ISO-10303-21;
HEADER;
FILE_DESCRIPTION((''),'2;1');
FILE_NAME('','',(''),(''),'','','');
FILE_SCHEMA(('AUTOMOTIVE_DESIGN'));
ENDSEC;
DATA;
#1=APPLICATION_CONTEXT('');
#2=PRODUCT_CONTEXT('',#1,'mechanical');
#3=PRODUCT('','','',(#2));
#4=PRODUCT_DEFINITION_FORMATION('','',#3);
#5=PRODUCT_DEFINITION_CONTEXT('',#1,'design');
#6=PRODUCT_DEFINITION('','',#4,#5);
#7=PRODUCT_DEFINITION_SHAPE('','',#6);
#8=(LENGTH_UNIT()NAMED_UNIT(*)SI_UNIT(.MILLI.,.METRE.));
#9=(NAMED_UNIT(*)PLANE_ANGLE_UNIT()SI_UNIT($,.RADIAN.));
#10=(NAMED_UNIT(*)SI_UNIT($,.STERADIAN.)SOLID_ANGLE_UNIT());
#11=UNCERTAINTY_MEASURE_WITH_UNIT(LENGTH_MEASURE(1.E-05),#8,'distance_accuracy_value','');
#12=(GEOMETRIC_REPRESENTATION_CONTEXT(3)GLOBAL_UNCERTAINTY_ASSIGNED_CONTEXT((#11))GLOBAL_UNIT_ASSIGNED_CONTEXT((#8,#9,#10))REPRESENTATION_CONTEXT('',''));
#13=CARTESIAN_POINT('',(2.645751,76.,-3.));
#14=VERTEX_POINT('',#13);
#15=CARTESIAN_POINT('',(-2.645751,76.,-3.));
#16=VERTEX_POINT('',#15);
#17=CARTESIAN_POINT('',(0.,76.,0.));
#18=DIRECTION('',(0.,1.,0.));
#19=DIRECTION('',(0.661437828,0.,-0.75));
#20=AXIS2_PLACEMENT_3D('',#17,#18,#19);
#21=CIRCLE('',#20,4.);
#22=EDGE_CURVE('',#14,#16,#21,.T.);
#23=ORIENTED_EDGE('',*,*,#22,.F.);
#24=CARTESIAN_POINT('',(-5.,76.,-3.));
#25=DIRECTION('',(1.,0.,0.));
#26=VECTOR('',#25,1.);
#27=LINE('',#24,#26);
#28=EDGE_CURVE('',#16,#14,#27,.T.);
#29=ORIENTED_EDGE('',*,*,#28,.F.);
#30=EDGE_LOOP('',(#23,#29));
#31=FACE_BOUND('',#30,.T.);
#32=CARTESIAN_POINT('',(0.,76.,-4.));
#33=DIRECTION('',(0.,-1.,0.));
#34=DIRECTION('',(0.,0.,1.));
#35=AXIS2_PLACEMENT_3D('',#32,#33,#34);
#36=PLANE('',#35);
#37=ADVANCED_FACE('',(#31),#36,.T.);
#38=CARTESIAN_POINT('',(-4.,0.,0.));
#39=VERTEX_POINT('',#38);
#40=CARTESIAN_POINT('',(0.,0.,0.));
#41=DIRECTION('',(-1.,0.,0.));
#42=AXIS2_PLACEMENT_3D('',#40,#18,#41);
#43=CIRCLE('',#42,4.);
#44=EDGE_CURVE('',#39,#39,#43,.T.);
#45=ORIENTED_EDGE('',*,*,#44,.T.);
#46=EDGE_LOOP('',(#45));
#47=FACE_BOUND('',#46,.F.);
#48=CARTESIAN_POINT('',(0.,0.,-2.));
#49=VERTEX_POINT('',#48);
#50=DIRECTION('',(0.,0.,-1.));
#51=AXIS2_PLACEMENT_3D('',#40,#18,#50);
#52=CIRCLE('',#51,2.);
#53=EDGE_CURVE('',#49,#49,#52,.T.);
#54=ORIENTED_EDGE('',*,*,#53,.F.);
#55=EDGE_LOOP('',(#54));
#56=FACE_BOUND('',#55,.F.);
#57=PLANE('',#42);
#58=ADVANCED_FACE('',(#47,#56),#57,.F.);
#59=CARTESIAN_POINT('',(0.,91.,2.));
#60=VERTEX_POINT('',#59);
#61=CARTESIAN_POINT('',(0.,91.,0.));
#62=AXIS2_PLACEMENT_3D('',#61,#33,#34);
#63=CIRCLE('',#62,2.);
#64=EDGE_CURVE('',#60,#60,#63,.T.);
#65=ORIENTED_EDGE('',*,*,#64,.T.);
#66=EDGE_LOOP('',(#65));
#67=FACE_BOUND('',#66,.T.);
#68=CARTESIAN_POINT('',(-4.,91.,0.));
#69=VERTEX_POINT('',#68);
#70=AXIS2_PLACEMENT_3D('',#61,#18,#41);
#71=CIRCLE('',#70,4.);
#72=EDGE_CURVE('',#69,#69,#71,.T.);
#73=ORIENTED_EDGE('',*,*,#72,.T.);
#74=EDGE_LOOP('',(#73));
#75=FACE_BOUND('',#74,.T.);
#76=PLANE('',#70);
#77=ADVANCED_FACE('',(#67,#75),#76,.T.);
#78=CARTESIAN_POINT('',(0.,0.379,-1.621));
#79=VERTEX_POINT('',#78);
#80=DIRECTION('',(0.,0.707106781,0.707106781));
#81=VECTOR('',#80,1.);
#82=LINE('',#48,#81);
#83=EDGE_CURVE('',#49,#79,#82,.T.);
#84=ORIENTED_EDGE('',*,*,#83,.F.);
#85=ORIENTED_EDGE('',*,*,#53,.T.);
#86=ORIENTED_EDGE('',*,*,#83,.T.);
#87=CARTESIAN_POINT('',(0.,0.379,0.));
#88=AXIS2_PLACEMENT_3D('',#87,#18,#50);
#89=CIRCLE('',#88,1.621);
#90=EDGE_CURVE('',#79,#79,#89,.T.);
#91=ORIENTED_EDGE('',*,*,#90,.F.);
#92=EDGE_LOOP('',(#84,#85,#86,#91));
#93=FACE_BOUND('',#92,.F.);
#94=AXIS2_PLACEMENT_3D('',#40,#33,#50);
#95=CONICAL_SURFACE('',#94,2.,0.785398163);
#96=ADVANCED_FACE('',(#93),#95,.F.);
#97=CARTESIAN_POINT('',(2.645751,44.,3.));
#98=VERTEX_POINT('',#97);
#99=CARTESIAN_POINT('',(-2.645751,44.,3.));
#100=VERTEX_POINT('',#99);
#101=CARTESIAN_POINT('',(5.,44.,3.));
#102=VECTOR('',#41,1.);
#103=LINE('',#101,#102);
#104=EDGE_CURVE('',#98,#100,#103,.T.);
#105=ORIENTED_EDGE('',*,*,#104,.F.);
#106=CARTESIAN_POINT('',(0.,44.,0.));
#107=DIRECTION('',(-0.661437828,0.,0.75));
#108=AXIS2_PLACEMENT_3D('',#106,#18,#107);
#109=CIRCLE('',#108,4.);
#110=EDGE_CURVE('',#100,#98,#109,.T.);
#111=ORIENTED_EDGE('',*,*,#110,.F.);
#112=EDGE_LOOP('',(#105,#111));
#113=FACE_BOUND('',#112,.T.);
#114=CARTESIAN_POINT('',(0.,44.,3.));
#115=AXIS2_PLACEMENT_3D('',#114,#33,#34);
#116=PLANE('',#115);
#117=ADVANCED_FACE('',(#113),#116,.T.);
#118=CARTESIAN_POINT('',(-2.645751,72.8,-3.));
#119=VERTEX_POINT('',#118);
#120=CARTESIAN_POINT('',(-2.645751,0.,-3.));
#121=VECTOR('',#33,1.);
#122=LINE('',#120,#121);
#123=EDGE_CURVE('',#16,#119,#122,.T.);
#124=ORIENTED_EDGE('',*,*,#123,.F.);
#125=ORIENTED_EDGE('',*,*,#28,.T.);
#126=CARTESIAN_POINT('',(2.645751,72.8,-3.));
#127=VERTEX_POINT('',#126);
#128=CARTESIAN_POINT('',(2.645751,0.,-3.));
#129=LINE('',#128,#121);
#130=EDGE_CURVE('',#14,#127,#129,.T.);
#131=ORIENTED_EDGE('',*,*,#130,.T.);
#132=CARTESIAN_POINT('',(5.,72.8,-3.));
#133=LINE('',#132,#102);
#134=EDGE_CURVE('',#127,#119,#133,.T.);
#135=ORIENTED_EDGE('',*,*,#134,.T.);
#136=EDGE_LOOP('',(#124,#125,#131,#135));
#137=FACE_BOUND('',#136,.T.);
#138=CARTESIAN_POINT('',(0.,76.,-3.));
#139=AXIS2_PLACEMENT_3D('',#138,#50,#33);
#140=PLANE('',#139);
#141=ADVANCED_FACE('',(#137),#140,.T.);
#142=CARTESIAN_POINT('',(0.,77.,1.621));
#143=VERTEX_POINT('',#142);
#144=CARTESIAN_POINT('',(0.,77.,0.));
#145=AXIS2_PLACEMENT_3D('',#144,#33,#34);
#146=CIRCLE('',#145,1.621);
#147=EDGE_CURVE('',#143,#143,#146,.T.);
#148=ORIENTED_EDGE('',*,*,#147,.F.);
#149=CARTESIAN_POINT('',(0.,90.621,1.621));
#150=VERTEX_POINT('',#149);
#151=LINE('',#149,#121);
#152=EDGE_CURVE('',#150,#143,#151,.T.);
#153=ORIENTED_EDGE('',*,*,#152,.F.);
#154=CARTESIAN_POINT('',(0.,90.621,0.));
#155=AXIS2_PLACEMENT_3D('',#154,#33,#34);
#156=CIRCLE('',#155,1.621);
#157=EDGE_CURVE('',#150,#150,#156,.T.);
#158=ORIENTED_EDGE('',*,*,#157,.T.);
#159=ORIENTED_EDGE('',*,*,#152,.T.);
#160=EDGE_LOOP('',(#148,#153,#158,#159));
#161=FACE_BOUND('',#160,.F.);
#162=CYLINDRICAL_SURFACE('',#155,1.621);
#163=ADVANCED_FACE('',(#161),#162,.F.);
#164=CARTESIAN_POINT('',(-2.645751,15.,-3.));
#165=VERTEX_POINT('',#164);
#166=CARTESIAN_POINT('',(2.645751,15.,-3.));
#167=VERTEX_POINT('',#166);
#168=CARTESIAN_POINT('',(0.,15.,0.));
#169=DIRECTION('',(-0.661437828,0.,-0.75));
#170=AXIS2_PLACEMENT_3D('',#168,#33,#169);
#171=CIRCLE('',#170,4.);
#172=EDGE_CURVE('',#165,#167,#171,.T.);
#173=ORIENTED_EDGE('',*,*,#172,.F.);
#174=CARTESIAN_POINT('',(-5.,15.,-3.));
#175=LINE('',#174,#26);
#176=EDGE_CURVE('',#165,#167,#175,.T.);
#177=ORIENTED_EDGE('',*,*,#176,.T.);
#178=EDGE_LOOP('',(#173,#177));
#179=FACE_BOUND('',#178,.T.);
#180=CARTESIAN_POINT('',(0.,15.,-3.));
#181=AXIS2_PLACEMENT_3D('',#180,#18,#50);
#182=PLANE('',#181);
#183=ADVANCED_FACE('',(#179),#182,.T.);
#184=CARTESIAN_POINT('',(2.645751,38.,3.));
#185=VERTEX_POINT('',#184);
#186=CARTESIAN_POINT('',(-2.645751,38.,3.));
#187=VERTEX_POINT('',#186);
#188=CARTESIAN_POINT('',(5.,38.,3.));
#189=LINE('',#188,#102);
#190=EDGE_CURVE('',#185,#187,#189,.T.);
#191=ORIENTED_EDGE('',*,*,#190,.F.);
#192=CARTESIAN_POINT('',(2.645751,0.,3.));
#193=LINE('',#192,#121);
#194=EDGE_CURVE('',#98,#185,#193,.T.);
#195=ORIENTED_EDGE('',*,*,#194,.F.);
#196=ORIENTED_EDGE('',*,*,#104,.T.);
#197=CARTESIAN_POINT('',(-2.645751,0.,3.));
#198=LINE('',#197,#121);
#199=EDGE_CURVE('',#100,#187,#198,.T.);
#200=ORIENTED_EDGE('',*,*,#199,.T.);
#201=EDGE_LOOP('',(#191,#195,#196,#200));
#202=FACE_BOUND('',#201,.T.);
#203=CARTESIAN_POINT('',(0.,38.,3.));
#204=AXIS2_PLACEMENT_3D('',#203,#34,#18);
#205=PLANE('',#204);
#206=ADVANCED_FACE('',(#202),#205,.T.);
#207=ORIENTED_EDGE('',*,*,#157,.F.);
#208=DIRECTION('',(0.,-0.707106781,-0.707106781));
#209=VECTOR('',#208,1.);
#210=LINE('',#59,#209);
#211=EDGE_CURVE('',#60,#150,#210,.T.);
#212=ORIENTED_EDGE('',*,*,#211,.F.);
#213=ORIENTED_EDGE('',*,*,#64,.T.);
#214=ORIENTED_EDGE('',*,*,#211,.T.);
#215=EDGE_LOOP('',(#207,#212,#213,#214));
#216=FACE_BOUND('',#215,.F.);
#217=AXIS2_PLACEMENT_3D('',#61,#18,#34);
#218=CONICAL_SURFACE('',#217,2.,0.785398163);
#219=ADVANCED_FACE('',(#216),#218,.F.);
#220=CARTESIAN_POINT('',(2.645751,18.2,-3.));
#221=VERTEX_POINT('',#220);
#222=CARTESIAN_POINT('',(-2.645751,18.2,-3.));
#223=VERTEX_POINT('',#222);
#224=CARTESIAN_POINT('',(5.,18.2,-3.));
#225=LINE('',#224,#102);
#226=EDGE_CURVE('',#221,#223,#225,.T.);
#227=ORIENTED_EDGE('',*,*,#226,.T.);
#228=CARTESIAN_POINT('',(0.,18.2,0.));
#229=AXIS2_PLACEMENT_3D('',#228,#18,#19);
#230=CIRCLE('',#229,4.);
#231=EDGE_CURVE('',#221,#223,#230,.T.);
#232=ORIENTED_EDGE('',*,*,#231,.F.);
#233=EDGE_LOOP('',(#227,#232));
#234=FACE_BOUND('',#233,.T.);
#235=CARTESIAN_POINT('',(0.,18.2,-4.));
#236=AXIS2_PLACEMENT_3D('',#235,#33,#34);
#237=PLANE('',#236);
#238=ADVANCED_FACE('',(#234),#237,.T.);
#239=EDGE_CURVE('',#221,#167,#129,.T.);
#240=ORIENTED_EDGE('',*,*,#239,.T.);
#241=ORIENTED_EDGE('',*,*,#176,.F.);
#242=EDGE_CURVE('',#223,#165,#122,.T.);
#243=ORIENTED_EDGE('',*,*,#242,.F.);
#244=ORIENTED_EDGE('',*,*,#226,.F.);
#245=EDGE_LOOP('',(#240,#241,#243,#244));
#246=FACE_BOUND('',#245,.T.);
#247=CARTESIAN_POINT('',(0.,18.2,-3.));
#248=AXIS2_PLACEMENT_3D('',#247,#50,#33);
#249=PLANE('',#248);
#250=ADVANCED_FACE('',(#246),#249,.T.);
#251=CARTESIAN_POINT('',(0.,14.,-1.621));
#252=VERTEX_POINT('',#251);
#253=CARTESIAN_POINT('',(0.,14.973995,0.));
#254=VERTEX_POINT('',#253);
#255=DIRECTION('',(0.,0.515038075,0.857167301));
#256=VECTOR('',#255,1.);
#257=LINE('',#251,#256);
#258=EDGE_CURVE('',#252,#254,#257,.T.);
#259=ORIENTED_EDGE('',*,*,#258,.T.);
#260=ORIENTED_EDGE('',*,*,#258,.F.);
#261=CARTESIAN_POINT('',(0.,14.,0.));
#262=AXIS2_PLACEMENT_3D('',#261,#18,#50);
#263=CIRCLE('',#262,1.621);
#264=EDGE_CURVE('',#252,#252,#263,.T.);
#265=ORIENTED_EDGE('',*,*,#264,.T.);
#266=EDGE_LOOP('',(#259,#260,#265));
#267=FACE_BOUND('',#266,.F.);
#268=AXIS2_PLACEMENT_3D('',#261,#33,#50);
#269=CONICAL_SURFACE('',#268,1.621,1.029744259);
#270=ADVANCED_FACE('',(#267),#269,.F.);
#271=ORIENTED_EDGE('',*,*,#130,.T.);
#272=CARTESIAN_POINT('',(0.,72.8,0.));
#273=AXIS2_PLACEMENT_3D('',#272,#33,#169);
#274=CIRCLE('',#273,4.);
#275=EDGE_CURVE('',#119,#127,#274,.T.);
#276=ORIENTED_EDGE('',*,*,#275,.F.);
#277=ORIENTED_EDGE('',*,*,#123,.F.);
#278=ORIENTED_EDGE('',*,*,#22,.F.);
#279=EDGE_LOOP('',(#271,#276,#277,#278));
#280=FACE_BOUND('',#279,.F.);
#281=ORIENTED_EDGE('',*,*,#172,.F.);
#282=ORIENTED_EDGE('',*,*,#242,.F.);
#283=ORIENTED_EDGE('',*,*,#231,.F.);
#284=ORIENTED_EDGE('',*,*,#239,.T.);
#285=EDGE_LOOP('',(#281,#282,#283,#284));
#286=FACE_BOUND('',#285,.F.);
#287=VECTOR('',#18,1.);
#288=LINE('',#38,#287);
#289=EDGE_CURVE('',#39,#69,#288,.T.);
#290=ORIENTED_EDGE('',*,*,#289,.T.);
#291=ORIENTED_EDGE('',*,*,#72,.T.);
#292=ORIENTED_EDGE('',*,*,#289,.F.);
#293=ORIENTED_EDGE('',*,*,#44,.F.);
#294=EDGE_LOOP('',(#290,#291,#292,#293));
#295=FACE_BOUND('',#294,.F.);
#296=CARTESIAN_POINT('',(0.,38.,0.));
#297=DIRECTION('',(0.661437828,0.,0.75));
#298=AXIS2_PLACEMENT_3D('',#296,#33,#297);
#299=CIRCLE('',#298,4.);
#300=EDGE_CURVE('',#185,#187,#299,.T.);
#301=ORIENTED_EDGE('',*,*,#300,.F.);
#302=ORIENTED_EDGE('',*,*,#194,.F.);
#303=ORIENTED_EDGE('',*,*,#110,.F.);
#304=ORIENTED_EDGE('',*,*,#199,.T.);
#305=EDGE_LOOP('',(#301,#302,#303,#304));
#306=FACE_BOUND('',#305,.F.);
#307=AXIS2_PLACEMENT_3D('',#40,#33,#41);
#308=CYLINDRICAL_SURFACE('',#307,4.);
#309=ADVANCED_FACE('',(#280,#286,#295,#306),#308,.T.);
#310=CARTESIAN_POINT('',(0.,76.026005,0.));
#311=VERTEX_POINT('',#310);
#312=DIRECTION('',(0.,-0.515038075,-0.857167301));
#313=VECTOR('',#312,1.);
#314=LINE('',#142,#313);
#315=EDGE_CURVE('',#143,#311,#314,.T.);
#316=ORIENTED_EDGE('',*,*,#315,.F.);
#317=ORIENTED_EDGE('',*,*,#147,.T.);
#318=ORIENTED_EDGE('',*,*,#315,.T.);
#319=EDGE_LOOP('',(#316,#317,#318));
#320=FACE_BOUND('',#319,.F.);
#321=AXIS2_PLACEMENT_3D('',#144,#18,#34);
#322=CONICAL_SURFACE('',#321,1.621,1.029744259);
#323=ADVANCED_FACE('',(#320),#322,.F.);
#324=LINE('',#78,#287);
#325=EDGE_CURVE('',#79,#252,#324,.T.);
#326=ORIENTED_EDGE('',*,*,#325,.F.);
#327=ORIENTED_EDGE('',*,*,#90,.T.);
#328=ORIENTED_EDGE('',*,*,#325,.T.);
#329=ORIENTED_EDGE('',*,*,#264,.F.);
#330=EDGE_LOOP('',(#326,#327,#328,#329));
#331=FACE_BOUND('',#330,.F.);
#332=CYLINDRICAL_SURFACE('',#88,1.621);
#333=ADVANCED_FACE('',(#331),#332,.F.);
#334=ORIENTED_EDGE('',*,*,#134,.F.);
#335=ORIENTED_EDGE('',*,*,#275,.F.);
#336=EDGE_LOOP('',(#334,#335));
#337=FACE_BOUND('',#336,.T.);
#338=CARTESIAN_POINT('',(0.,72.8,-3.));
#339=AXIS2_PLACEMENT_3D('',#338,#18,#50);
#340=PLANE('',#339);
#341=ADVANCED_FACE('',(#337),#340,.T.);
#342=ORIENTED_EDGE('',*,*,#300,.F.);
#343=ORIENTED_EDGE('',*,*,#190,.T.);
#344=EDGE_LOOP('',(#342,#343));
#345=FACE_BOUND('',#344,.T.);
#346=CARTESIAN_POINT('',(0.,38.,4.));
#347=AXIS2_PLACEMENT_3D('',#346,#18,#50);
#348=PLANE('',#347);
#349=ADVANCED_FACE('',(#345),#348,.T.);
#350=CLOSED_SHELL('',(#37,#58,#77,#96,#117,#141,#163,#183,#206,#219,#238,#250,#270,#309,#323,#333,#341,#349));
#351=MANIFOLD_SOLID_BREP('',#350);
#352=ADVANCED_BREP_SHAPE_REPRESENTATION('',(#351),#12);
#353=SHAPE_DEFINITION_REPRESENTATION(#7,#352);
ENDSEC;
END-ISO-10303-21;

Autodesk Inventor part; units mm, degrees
ref_plane "YZ Plane" through (0, 0, 0) normal (1, 0, 0) x (0, 1, 0)
ref_plane "XZ Plane" through (0, 0, 0) normal (0, 1, 0) x (-1, 0, 0)
ref_plane "XY Plane" through (0, 0, 0) normal (0, 0, 1) x (1, 0, 0)
sketch "スケッチ1" plane through (0, 0, 0) normal (0, 1, 0) x (-1, 0, 0)
  circle A0 centre (0, 0) radius 4
  dimension "d0" = 8
extrude "押し出し1" add sketch "スケッチ1" along normal blind 91
sketch "スケッチ2" plane through (0, 0, 0) normal (0, -1, 0) x (1, 0, 0)
  point P0 (0, 0)
sketch "スケッチ3" plane through (0, 91, 0) normal (0, 1, 0) x (1, 0, 0)
  point P0 (0, 0)
hole "穴1" at (0, 91, 0) direction (0, -1, 0) diameter 3.242 depth 14 tip angle 118 countersink diameter 4 countersink angle 90 thread size "M4x0.7" class "6H" standard "ISO Metric profile"
hole "穴2" at (0, 0, 0) direction (0, 1, 0) diameter 3.242 depth 14 tip angle 118 countersink diameter 4 countersink angle 90 thread size "M4x0.7" class "6H" standard "ISO Metric profile"
sketch "スケッチ4" plane through (0, 0, 0) normal (1, 0, 0) x (0, 1, 0)
  line L0 (76, -4) -> (76, 4) projected
  spline S0 degree 3 poles (39, 7.4285) (39, 7.3385) (39.0585, 7.233) (39.2835, 7.0254) (39.4498, 6.9237) (39.8139, 6.7628) (40.035, 6.6916) (40.51, 6.5961) (40.7638, 6.5723) (41.2362, 6.5723) (41.49, 6.5961) (41.965, 6.6916) (42.1861, 6.7628) (42.5502, 6.9237) (42.7165, 7.0254) (42.9415, 7.233) (43, 7.3385) (43, 7.4285) knots 0.287107 0.287107 0.287107 0.287107 0.359812 0.359812 0.432516 0.432516 0.503365 0.503365 0.574214 0.574214 0.645063 0.645063 0.715911 0.715911 0.788616 0.788616 0.861321 0.861321 0.861321 0.861321 projected
  line L1 (15, 4) -> (15, -4) projected
  line L2 (76, -3) -> (72.8, -3)
  line L3 (72.8, -3) -> (72.8, -4)
  line L4 (72.8, -4) -> (76, -4)
  line L5 (44, 4) -> (38, 4)
  line L6 (38, 4) -> (38, 3)
  line L7 (38, 3) -> (44, 3)
  line L8 (44, 3) -> (44, 4)
  line L9 (43, 7.4285) -> (39, 7.4285)
  line L10 (15, -4) -> (18.2, -4)
  line L11 (18.2, -4) -> (18.2, -3)
  line L12 (18.2, -3) -> (15, -3)
  line L13 (15, -3) -> (15, -4)
  point P0 (0, 0)
  point P1 (41, 7.4285)
  point P2 (41, 4)
  dimension "d17" = 3.2
  dimension "d18" = 1
  dimension "d19" = 6
extrude "押し出し2" cut sketch "スケッチ4" along normal through all both and the other way through all contours L4 L3 L2 L0 | L12 L11 L10 L1 | L8 L7 L6 L5
properties part number "p8ALshaftP" material "アルミニウム 2014-T4"
